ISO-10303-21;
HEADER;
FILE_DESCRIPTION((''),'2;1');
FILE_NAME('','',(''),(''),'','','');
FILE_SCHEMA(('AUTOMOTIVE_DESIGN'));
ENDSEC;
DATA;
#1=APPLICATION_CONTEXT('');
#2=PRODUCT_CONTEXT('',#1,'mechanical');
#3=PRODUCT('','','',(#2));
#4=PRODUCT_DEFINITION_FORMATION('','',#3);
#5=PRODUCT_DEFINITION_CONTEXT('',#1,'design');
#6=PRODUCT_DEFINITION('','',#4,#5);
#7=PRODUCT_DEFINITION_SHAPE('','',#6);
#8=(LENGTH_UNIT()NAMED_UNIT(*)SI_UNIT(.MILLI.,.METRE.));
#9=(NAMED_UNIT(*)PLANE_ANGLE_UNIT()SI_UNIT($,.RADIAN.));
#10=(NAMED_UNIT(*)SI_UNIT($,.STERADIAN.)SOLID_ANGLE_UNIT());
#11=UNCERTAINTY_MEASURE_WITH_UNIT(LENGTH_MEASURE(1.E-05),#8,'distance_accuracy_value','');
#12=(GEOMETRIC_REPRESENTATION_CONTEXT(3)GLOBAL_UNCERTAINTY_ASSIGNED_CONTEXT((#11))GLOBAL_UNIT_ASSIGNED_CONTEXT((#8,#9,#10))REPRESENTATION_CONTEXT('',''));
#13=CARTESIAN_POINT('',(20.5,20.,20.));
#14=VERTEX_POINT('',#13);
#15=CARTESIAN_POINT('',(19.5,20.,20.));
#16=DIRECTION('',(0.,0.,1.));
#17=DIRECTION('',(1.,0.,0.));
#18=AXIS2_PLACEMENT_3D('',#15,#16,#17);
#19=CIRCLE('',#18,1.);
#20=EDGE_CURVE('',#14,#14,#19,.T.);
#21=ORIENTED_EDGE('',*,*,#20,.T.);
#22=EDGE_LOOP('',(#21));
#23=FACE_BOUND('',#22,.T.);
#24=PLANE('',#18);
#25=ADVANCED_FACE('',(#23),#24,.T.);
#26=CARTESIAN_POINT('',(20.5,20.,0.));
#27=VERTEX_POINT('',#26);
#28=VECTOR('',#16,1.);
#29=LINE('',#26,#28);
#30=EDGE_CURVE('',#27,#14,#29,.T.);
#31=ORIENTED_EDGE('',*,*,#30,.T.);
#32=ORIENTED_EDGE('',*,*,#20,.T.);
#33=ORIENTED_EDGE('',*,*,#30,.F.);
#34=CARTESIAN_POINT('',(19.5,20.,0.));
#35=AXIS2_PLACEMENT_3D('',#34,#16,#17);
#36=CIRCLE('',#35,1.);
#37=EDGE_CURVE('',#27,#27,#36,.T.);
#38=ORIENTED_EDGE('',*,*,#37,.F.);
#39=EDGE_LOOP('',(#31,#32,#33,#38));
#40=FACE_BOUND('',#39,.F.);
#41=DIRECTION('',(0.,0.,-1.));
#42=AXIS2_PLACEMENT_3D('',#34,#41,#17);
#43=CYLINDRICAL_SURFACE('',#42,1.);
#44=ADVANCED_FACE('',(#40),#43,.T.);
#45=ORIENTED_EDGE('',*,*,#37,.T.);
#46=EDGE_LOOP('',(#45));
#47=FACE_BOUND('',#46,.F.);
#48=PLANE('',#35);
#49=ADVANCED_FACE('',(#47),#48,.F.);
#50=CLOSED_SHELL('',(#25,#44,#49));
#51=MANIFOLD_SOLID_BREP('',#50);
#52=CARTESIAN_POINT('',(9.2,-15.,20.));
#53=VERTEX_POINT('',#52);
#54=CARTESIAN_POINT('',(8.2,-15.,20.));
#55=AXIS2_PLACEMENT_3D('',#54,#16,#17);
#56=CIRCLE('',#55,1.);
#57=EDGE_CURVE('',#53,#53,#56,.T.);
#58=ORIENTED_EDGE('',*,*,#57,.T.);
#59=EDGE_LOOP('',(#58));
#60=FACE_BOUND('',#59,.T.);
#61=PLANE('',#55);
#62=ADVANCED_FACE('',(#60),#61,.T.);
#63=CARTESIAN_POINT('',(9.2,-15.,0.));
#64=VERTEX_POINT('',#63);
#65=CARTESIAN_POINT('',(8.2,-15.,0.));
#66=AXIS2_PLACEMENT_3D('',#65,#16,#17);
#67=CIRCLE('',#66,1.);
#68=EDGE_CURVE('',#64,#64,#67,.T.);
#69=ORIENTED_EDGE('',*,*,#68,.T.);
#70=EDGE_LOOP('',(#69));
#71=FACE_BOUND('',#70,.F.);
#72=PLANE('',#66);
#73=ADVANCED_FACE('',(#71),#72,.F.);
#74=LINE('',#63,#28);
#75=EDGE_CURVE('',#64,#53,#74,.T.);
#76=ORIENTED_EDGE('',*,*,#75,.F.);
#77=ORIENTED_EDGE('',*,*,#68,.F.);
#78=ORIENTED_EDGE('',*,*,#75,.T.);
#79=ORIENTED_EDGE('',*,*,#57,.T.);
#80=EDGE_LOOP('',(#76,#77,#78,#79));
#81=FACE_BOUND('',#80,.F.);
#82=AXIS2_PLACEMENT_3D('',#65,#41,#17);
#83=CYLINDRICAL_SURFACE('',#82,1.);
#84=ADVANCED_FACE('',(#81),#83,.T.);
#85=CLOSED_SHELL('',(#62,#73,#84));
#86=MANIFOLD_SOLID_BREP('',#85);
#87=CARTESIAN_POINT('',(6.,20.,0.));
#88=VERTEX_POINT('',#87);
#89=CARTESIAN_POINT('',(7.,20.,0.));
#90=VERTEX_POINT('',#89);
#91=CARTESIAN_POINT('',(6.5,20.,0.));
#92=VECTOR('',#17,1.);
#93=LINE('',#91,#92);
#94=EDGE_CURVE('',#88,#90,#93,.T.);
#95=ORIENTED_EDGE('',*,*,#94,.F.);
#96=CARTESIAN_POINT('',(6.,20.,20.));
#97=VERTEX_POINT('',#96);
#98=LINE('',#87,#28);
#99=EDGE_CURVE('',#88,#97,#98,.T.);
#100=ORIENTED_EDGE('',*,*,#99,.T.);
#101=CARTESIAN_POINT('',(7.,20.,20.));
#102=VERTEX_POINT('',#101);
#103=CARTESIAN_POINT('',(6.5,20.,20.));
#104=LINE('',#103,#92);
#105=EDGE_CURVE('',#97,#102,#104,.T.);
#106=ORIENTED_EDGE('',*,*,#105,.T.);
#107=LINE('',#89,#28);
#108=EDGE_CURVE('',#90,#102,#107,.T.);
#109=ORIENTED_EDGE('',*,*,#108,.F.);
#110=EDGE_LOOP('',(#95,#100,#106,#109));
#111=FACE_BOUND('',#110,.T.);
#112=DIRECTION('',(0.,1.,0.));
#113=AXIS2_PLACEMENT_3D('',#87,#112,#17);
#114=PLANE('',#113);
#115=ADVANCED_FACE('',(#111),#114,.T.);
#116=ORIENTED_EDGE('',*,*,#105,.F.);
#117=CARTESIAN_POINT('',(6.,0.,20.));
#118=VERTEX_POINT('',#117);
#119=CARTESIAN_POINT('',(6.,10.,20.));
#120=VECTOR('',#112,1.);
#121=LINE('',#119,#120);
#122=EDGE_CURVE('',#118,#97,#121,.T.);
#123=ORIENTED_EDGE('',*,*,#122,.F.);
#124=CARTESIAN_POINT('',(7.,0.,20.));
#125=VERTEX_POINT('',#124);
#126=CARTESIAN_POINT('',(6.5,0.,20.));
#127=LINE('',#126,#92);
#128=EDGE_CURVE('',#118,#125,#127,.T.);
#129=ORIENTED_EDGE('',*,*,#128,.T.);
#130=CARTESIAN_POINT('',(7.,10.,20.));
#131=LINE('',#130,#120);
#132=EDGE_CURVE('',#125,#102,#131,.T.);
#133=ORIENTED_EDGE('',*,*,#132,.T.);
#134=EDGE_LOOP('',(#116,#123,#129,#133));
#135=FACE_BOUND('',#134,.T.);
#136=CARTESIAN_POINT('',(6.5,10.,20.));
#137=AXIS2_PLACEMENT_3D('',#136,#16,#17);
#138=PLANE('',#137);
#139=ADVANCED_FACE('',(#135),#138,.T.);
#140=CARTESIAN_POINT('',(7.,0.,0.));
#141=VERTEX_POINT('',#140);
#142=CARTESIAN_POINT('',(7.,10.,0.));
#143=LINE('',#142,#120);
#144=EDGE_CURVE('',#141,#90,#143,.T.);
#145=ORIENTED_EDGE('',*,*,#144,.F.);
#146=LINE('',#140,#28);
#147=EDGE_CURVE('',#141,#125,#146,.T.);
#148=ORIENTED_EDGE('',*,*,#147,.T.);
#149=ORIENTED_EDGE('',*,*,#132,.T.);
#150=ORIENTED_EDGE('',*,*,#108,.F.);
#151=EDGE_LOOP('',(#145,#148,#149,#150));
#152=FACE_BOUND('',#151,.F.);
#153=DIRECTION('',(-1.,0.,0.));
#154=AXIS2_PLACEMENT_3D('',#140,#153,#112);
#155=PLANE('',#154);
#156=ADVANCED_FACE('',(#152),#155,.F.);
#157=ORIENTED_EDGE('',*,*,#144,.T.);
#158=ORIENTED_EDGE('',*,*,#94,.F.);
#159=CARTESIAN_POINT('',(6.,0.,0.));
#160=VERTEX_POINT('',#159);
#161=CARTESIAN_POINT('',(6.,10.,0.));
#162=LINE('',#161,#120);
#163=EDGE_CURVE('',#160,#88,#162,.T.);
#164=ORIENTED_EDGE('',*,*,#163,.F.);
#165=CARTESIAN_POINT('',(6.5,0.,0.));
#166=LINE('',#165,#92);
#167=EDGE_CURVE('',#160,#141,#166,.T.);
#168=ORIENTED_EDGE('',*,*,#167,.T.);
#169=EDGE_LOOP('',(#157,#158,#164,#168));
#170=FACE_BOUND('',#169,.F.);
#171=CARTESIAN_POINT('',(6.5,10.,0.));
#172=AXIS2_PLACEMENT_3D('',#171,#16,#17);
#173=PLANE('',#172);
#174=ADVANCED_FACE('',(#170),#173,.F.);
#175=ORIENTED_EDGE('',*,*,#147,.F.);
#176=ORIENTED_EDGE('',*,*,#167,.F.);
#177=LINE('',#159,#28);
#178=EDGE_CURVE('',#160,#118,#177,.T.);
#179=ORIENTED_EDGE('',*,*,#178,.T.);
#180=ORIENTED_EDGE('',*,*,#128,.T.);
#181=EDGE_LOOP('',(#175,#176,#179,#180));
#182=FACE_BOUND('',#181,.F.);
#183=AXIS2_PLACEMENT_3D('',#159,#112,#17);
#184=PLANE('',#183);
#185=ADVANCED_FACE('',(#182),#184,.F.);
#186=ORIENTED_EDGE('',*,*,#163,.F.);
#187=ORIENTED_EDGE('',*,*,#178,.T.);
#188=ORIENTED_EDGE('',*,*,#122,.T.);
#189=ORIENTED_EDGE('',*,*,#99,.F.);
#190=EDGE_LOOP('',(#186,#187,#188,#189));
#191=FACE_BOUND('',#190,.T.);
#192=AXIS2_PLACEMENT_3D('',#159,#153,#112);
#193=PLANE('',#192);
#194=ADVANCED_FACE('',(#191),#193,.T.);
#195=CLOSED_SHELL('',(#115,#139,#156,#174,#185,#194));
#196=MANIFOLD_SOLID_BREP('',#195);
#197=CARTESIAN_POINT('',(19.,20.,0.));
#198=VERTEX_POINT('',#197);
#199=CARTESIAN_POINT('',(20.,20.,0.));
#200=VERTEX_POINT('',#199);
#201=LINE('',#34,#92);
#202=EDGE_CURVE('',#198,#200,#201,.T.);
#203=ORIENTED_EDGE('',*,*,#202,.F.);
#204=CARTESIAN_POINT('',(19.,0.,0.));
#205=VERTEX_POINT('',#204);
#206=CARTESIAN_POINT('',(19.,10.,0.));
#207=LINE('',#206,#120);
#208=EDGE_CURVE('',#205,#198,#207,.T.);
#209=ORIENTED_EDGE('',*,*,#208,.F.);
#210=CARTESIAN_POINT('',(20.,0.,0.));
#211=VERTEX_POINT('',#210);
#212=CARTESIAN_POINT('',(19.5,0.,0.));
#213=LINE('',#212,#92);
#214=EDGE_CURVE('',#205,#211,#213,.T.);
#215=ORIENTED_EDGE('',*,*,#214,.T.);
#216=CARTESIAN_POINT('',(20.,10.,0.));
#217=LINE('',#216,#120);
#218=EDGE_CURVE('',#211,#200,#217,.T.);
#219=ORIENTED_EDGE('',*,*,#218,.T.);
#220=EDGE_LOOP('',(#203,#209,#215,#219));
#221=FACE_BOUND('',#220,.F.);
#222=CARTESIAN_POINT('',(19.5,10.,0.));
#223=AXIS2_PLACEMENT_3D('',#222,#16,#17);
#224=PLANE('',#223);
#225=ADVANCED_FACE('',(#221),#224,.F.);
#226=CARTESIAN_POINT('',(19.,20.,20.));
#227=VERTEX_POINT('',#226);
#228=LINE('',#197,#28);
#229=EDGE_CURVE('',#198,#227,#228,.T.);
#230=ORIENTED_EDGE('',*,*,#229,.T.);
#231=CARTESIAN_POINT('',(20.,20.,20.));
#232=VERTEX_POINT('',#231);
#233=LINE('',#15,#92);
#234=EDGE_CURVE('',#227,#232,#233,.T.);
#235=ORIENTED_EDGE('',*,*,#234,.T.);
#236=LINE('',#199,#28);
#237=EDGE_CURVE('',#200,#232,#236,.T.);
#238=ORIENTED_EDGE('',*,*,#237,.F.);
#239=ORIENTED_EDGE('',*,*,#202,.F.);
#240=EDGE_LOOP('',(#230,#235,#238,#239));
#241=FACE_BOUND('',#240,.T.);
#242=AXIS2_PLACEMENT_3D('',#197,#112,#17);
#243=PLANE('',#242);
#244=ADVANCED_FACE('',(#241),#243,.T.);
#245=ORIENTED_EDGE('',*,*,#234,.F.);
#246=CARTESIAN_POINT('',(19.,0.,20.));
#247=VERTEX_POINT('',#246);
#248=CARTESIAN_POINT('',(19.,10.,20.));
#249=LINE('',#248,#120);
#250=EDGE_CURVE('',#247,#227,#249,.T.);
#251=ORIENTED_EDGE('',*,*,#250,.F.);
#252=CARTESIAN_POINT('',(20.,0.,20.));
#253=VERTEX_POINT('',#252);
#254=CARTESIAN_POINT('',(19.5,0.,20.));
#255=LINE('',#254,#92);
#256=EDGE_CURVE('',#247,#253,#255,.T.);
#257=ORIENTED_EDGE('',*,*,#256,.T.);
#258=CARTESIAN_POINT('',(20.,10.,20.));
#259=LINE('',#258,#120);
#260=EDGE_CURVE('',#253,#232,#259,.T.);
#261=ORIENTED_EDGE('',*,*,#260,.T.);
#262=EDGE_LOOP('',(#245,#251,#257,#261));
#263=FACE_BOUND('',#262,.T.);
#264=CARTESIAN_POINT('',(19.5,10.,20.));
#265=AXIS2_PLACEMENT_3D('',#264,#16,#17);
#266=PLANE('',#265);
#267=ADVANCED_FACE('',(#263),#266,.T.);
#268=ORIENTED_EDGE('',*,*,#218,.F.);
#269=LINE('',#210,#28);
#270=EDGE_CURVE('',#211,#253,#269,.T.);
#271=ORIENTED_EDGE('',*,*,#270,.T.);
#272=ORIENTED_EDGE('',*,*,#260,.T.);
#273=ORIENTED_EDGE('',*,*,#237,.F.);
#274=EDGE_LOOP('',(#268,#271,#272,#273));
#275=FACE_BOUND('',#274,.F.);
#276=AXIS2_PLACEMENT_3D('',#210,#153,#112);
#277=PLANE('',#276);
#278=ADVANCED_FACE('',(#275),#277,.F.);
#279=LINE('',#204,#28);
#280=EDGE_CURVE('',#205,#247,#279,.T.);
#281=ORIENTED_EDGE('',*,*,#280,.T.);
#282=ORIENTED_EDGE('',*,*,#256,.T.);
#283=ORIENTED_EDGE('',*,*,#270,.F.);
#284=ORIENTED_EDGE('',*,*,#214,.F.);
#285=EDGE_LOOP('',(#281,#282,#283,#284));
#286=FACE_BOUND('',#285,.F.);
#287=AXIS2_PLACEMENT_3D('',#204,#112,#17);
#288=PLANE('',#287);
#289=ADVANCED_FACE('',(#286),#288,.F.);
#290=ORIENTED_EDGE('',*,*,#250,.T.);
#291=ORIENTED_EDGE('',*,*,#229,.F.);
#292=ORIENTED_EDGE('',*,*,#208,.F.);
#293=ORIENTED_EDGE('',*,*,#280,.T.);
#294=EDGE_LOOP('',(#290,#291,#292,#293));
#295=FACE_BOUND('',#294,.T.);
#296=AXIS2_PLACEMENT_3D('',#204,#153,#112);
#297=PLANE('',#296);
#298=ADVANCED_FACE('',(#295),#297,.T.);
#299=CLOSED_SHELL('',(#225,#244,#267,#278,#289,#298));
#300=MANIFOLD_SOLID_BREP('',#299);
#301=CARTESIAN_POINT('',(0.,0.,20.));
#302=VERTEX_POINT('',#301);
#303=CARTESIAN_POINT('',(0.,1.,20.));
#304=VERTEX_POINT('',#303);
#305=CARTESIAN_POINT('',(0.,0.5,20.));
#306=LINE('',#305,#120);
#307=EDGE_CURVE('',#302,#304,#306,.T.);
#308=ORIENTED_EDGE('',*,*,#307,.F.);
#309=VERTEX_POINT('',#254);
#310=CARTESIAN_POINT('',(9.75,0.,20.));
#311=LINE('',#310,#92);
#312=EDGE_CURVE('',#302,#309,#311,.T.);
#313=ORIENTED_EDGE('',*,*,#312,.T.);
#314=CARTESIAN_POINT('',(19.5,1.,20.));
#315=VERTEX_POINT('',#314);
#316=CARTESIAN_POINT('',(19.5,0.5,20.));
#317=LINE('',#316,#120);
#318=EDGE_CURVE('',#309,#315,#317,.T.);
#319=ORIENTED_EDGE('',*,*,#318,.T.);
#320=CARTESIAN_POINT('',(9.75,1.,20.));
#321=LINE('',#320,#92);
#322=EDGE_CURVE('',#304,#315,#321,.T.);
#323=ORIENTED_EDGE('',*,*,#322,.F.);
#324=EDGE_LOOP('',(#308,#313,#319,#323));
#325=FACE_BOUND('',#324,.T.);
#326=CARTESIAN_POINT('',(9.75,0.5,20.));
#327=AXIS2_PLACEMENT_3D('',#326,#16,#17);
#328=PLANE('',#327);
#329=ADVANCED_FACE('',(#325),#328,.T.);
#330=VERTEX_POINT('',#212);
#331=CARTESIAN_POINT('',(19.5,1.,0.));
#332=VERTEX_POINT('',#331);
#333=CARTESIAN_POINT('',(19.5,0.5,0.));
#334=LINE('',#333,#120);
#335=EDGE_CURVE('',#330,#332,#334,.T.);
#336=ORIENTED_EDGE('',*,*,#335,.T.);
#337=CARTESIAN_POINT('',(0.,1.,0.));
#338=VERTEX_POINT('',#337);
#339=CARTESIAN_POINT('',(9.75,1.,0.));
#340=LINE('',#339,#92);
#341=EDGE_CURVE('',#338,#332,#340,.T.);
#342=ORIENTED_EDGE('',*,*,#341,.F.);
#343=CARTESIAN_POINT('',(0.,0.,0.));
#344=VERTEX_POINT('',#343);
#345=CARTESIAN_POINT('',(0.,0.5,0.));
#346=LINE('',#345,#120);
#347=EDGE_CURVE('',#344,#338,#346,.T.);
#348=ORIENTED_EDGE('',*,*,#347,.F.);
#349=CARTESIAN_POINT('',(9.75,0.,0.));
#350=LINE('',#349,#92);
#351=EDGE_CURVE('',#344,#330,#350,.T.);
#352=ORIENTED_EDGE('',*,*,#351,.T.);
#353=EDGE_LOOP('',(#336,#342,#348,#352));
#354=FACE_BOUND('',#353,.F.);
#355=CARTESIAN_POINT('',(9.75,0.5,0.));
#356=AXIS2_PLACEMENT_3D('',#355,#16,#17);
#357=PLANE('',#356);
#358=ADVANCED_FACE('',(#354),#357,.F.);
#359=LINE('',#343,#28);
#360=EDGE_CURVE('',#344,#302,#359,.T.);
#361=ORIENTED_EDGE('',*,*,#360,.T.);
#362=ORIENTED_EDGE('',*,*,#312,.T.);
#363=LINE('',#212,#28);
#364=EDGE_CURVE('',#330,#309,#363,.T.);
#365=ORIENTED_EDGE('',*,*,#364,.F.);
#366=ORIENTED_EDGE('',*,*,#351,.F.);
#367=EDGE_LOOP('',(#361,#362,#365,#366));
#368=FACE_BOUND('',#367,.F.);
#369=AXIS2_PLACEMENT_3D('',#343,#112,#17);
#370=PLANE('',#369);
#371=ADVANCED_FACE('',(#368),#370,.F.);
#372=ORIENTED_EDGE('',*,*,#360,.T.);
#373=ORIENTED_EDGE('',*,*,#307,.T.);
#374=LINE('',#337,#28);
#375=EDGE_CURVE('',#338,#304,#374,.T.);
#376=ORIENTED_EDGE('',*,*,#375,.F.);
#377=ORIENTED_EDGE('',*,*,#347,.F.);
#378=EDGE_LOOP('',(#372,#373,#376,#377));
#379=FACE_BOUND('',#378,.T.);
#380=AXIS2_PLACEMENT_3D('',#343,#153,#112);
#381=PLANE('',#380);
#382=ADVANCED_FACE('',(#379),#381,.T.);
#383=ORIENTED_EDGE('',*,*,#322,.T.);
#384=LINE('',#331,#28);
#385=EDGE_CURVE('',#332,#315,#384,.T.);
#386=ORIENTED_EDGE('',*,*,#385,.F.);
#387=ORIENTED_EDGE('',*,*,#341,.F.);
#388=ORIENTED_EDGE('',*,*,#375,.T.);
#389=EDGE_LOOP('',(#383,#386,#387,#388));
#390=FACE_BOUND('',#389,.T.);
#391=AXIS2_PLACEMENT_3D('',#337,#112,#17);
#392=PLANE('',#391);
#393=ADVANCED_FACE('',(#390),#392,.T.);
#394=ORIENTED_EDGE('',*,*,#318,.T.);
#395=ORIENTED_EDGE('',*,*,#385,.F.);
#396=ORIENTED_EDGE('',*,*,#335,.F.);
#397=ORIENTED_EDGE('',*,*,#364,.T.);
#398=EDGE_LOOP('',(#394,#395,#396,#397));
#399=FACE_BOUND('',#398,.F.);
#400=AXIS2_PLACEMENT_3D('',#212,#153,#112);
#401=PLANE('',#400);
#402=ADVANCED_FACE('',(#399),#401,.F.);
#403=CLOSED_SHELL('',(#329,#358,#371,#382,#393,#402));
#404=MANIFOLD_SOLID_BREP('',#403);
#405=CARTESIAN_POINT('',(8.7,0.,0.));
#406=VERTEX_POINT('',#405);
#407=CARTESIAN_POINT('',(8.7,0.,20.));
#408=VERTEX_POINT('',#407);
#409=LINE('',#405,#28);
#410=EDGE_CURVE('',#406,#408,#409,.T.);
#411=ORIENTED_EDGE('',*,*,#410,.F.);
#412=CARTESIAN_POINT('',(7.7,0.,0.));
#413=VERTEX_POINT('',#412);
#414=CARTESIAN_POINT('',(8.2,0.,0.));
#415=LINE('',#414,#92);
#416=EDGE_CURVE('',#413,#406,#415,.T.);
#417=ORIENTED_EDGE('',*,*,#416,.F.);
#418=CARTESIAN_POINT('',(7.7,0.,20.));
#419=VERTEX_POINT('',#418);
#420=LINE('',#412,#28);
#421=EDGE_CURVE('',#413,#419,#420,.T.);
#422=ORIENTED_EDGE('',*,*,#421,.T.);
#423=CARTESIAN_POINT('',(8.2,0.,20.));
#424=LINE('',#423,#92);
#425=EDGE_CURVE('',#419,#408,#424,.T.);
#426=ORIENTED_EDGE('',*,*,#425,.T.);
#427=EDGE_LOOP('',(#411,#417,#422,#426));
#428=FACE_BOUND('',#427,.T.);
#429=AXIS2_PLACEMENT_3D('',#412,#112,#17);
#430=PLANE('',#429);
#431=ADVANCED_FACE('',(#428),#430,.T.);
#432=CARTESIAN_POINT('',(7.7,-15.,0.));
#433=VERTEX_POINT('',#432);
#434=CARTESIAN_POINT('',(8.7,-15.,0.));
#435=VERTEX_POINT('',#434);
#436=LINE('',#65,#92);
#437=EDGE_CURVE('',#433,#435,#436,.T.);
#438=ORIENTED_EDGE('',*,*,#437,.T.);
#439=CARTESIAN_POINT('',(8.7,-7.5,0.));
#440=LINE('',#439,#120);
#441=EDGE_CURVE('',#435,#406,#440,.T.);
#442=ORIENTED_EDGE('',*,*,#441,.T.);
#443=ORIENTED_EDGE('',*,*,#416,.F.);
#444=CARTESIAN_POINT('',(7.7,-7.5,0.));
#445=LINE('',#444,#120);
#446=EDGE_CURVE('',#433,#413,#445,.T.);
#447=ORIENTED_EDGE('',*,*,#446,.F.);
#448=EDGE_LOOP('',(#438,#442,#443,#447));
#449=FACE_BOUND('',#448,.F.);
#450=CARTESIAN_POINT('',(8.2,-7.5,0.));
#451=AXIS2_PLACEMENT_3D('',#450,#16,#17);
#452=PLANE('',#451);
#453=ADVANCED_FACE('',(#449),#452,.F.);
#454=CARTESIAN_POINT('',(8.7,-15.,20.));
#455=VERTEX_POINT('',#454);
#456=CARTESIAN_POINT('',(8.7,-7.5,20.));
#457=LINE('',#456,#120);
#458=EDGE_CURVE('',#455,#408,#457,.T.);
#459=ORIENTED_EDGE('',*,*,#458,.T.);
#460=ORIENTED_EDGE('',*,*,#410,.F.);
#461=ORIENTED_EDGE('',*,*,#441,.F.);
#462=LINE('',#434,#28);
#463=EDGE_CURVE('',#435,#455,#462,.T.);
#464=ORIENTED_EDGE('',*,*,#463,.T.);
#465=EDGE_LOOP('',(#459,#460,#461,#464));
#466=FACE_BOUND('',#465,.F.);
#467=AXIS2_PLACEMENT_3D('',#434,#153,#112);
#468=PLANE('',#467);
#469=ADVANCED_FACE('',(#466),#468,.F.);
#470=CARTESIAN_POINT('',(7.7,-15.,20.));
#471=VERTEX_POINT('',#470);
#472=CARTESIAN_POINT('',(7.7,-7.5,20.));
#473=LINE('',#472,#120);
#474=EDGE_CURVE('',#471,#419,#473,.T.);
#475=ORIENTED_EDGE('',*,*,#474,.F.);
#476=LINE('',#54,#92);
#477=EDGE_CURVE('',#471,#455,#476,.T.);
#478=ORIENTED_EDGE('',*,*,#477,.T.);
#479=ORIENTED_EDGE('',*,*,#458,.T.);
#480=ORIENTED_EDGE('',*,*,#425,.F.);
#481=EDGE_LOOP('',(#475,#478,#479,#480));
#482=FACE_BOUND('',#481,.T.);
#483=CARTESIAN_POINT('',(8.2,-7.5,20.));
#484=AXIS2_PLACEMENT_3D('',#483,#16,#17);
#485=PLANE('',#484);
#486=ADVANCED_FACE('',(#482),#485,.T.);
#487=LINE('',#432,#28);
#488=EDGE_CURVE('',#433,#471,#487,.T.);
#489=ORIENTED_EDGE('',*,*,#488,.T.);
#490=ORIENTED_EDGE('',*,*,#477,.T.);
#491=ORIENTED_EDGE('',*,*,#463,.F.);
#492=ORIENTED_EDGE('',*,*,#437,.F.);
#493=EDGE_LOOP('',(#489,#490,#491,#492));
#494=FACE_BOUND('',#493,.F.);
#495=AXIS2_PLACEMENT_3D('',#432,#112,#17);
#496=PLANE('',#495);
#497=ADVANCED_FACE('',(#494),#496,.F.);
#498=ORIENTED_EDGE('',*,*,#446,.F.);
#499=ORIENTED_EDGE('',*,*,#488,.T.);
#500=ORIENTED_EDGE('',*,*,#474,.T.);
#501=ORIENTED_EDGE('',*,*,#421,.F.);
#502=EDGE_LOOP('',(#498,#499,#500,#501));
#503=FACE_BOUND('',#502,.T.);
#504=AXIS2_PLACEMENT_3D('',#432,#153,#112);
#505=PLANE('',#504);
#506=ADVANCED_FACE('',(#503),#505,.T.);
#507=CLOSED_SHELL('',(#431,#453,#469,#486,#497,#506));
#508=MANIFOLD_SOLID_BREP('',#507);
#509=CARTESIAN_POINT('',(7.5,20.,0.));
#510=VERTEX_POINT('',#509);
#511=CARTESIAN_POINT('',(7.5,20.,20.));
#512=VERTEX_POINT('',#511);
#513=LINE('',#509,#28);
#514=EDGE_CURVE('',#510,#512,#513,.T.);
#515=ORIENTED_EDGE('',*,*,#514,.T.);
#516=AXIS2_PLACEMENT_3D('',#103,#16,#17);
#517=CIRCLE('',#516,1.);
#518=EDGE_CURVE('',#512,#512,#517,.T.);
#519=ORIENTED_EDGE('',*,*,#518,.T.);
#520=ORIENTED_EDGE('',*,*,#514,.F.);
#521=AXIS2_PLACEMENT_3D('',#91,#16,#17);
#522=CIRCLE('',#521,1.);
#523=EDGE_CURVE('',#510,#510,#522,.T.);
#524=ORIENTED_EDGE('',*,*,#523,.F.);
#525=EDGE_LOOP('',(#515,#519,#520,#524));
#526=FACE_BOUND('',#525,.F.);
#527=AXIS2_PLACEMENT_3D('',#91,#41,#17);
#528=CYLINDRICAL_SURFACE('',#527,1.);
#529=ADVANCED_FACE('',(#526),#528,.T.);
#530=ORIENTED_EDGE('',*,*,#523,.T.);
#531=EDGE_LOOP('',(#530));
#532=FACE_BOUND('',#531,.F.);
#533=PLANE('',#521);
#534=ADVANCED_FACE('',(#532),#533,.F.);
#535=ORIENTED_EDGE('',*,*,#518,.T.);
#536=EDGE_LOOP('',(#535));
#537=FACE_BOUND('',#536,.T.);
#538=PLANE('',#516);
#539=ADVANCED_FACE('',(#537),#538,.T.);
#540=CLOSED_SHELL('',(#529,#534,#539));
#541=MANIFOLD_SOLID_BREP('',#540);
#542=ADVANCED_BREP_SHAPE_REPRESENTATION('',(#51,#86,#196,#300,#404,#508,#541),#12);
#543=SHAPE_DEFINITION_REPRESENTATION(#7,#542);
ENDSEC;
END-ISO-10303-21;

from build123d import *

# Parameters (mm, degrees)
BOX_W             = 19.5
BOX_H             = 1
BOX_DEPTH         = 20
BOX001_W          = 1
BOX001_H          = 20
BOX001_DEPTH      = 20
BOX002_W          = 1
BOX002_H          = 20
BOX002_DEPTH      = 20
CYLINDER_R        = 1
CYLINDER_DEPTH    = 20
CYLINDER001_R     = 1
CYLINDER001_DEPTH = 20
BOX003_W          = 1
BOX003_H          = 15
BOX003_DEPTH      = 20
CYLINDER002_R     = 1
CYLINDER002_DEPTH = 20


with BuildPart() as cube:
    # Box → Box (new body)
    with BuildSketch(Plane.XY):
        with Locations((9.75, 0.5)):
            Rectangle(BOX_W, BOX_H)
    extrude(amount=BOX_DEPTH)


with BuildPart() as cube001:
    # Box001 → Box001 (new body)
    with BuildSketch(Plane(origin=(6, 0, 0), x_dir=(1, 0, 0), z_dir=(0, 0, 1))):
        with Locations((0.5, 10)):
            Rectangle(BOX001_W, BOX001_H)
    extrude(amount=BOX001_DEPTH)


with BuildPart() as cube002:
    # Box002 → Box002 (new body)
    with BuildSketch(Plane(origin=(19, 0, 0), x_dir=(1, 0, 0), z_dir=(0, 0, 1))):
        with Locations((0.5, 10)):
            Rectangle(BOX002_W, BOX002_H)
    extrude(amount=BOX002_DEPTH)


with BuildPart() as cylinder:
    # Cylinder → Cylinder (new body)
    with BuildSketch(Plane(origin=(6.5, 20, 0), x_dir=(1, 0, 0), z_dir=(0, 0, 1))):
        Circle(CYLINDER_R)
    extrude(amount=CYLINDER_DEPTH)


with BuildPart() as cylinder001:
    # Cylinder001 → Cylinder001 (new body)
    with BuildSketch(Plane(origin=(19.5, 20, 0), x_dir=(1, 0, 0), z_dir=(0, 0, 1))):
        Circle(CYLINDER001_R)
    extrude(amount=CYLINDER001_DEPTH)


with BuildPart() as cube003:
    # Box003 → Box003 (new body)
    with BuildSketch(Plane(origin=(7.7, -15, 0), x_dir=(1, 0, 0), z_dir=(0, 0, 1))):
        with Locations((0.5, 7.5)):
            Rectangle(BOX003_W, BOX003_H)
    extrude(amount=BOX003_DEPTH)


with BuildPart() as cylinder002:
    # Cylinder002 → Cylinder002 (new body)
    with BuildSketch(Plane(origin=(8.2, -15, 0), x_dir=(1, 0, 0), z_dir=(0, 0, 1))):
        Circle(CYLINDER002_R)
    extrude(amount=CYLINDER002_DEPTH)


solid = Compound([cube.part, cube001.part, cube002.part, cylinder.part, cylinder001.part, cube003.part, cylinder002.part])
